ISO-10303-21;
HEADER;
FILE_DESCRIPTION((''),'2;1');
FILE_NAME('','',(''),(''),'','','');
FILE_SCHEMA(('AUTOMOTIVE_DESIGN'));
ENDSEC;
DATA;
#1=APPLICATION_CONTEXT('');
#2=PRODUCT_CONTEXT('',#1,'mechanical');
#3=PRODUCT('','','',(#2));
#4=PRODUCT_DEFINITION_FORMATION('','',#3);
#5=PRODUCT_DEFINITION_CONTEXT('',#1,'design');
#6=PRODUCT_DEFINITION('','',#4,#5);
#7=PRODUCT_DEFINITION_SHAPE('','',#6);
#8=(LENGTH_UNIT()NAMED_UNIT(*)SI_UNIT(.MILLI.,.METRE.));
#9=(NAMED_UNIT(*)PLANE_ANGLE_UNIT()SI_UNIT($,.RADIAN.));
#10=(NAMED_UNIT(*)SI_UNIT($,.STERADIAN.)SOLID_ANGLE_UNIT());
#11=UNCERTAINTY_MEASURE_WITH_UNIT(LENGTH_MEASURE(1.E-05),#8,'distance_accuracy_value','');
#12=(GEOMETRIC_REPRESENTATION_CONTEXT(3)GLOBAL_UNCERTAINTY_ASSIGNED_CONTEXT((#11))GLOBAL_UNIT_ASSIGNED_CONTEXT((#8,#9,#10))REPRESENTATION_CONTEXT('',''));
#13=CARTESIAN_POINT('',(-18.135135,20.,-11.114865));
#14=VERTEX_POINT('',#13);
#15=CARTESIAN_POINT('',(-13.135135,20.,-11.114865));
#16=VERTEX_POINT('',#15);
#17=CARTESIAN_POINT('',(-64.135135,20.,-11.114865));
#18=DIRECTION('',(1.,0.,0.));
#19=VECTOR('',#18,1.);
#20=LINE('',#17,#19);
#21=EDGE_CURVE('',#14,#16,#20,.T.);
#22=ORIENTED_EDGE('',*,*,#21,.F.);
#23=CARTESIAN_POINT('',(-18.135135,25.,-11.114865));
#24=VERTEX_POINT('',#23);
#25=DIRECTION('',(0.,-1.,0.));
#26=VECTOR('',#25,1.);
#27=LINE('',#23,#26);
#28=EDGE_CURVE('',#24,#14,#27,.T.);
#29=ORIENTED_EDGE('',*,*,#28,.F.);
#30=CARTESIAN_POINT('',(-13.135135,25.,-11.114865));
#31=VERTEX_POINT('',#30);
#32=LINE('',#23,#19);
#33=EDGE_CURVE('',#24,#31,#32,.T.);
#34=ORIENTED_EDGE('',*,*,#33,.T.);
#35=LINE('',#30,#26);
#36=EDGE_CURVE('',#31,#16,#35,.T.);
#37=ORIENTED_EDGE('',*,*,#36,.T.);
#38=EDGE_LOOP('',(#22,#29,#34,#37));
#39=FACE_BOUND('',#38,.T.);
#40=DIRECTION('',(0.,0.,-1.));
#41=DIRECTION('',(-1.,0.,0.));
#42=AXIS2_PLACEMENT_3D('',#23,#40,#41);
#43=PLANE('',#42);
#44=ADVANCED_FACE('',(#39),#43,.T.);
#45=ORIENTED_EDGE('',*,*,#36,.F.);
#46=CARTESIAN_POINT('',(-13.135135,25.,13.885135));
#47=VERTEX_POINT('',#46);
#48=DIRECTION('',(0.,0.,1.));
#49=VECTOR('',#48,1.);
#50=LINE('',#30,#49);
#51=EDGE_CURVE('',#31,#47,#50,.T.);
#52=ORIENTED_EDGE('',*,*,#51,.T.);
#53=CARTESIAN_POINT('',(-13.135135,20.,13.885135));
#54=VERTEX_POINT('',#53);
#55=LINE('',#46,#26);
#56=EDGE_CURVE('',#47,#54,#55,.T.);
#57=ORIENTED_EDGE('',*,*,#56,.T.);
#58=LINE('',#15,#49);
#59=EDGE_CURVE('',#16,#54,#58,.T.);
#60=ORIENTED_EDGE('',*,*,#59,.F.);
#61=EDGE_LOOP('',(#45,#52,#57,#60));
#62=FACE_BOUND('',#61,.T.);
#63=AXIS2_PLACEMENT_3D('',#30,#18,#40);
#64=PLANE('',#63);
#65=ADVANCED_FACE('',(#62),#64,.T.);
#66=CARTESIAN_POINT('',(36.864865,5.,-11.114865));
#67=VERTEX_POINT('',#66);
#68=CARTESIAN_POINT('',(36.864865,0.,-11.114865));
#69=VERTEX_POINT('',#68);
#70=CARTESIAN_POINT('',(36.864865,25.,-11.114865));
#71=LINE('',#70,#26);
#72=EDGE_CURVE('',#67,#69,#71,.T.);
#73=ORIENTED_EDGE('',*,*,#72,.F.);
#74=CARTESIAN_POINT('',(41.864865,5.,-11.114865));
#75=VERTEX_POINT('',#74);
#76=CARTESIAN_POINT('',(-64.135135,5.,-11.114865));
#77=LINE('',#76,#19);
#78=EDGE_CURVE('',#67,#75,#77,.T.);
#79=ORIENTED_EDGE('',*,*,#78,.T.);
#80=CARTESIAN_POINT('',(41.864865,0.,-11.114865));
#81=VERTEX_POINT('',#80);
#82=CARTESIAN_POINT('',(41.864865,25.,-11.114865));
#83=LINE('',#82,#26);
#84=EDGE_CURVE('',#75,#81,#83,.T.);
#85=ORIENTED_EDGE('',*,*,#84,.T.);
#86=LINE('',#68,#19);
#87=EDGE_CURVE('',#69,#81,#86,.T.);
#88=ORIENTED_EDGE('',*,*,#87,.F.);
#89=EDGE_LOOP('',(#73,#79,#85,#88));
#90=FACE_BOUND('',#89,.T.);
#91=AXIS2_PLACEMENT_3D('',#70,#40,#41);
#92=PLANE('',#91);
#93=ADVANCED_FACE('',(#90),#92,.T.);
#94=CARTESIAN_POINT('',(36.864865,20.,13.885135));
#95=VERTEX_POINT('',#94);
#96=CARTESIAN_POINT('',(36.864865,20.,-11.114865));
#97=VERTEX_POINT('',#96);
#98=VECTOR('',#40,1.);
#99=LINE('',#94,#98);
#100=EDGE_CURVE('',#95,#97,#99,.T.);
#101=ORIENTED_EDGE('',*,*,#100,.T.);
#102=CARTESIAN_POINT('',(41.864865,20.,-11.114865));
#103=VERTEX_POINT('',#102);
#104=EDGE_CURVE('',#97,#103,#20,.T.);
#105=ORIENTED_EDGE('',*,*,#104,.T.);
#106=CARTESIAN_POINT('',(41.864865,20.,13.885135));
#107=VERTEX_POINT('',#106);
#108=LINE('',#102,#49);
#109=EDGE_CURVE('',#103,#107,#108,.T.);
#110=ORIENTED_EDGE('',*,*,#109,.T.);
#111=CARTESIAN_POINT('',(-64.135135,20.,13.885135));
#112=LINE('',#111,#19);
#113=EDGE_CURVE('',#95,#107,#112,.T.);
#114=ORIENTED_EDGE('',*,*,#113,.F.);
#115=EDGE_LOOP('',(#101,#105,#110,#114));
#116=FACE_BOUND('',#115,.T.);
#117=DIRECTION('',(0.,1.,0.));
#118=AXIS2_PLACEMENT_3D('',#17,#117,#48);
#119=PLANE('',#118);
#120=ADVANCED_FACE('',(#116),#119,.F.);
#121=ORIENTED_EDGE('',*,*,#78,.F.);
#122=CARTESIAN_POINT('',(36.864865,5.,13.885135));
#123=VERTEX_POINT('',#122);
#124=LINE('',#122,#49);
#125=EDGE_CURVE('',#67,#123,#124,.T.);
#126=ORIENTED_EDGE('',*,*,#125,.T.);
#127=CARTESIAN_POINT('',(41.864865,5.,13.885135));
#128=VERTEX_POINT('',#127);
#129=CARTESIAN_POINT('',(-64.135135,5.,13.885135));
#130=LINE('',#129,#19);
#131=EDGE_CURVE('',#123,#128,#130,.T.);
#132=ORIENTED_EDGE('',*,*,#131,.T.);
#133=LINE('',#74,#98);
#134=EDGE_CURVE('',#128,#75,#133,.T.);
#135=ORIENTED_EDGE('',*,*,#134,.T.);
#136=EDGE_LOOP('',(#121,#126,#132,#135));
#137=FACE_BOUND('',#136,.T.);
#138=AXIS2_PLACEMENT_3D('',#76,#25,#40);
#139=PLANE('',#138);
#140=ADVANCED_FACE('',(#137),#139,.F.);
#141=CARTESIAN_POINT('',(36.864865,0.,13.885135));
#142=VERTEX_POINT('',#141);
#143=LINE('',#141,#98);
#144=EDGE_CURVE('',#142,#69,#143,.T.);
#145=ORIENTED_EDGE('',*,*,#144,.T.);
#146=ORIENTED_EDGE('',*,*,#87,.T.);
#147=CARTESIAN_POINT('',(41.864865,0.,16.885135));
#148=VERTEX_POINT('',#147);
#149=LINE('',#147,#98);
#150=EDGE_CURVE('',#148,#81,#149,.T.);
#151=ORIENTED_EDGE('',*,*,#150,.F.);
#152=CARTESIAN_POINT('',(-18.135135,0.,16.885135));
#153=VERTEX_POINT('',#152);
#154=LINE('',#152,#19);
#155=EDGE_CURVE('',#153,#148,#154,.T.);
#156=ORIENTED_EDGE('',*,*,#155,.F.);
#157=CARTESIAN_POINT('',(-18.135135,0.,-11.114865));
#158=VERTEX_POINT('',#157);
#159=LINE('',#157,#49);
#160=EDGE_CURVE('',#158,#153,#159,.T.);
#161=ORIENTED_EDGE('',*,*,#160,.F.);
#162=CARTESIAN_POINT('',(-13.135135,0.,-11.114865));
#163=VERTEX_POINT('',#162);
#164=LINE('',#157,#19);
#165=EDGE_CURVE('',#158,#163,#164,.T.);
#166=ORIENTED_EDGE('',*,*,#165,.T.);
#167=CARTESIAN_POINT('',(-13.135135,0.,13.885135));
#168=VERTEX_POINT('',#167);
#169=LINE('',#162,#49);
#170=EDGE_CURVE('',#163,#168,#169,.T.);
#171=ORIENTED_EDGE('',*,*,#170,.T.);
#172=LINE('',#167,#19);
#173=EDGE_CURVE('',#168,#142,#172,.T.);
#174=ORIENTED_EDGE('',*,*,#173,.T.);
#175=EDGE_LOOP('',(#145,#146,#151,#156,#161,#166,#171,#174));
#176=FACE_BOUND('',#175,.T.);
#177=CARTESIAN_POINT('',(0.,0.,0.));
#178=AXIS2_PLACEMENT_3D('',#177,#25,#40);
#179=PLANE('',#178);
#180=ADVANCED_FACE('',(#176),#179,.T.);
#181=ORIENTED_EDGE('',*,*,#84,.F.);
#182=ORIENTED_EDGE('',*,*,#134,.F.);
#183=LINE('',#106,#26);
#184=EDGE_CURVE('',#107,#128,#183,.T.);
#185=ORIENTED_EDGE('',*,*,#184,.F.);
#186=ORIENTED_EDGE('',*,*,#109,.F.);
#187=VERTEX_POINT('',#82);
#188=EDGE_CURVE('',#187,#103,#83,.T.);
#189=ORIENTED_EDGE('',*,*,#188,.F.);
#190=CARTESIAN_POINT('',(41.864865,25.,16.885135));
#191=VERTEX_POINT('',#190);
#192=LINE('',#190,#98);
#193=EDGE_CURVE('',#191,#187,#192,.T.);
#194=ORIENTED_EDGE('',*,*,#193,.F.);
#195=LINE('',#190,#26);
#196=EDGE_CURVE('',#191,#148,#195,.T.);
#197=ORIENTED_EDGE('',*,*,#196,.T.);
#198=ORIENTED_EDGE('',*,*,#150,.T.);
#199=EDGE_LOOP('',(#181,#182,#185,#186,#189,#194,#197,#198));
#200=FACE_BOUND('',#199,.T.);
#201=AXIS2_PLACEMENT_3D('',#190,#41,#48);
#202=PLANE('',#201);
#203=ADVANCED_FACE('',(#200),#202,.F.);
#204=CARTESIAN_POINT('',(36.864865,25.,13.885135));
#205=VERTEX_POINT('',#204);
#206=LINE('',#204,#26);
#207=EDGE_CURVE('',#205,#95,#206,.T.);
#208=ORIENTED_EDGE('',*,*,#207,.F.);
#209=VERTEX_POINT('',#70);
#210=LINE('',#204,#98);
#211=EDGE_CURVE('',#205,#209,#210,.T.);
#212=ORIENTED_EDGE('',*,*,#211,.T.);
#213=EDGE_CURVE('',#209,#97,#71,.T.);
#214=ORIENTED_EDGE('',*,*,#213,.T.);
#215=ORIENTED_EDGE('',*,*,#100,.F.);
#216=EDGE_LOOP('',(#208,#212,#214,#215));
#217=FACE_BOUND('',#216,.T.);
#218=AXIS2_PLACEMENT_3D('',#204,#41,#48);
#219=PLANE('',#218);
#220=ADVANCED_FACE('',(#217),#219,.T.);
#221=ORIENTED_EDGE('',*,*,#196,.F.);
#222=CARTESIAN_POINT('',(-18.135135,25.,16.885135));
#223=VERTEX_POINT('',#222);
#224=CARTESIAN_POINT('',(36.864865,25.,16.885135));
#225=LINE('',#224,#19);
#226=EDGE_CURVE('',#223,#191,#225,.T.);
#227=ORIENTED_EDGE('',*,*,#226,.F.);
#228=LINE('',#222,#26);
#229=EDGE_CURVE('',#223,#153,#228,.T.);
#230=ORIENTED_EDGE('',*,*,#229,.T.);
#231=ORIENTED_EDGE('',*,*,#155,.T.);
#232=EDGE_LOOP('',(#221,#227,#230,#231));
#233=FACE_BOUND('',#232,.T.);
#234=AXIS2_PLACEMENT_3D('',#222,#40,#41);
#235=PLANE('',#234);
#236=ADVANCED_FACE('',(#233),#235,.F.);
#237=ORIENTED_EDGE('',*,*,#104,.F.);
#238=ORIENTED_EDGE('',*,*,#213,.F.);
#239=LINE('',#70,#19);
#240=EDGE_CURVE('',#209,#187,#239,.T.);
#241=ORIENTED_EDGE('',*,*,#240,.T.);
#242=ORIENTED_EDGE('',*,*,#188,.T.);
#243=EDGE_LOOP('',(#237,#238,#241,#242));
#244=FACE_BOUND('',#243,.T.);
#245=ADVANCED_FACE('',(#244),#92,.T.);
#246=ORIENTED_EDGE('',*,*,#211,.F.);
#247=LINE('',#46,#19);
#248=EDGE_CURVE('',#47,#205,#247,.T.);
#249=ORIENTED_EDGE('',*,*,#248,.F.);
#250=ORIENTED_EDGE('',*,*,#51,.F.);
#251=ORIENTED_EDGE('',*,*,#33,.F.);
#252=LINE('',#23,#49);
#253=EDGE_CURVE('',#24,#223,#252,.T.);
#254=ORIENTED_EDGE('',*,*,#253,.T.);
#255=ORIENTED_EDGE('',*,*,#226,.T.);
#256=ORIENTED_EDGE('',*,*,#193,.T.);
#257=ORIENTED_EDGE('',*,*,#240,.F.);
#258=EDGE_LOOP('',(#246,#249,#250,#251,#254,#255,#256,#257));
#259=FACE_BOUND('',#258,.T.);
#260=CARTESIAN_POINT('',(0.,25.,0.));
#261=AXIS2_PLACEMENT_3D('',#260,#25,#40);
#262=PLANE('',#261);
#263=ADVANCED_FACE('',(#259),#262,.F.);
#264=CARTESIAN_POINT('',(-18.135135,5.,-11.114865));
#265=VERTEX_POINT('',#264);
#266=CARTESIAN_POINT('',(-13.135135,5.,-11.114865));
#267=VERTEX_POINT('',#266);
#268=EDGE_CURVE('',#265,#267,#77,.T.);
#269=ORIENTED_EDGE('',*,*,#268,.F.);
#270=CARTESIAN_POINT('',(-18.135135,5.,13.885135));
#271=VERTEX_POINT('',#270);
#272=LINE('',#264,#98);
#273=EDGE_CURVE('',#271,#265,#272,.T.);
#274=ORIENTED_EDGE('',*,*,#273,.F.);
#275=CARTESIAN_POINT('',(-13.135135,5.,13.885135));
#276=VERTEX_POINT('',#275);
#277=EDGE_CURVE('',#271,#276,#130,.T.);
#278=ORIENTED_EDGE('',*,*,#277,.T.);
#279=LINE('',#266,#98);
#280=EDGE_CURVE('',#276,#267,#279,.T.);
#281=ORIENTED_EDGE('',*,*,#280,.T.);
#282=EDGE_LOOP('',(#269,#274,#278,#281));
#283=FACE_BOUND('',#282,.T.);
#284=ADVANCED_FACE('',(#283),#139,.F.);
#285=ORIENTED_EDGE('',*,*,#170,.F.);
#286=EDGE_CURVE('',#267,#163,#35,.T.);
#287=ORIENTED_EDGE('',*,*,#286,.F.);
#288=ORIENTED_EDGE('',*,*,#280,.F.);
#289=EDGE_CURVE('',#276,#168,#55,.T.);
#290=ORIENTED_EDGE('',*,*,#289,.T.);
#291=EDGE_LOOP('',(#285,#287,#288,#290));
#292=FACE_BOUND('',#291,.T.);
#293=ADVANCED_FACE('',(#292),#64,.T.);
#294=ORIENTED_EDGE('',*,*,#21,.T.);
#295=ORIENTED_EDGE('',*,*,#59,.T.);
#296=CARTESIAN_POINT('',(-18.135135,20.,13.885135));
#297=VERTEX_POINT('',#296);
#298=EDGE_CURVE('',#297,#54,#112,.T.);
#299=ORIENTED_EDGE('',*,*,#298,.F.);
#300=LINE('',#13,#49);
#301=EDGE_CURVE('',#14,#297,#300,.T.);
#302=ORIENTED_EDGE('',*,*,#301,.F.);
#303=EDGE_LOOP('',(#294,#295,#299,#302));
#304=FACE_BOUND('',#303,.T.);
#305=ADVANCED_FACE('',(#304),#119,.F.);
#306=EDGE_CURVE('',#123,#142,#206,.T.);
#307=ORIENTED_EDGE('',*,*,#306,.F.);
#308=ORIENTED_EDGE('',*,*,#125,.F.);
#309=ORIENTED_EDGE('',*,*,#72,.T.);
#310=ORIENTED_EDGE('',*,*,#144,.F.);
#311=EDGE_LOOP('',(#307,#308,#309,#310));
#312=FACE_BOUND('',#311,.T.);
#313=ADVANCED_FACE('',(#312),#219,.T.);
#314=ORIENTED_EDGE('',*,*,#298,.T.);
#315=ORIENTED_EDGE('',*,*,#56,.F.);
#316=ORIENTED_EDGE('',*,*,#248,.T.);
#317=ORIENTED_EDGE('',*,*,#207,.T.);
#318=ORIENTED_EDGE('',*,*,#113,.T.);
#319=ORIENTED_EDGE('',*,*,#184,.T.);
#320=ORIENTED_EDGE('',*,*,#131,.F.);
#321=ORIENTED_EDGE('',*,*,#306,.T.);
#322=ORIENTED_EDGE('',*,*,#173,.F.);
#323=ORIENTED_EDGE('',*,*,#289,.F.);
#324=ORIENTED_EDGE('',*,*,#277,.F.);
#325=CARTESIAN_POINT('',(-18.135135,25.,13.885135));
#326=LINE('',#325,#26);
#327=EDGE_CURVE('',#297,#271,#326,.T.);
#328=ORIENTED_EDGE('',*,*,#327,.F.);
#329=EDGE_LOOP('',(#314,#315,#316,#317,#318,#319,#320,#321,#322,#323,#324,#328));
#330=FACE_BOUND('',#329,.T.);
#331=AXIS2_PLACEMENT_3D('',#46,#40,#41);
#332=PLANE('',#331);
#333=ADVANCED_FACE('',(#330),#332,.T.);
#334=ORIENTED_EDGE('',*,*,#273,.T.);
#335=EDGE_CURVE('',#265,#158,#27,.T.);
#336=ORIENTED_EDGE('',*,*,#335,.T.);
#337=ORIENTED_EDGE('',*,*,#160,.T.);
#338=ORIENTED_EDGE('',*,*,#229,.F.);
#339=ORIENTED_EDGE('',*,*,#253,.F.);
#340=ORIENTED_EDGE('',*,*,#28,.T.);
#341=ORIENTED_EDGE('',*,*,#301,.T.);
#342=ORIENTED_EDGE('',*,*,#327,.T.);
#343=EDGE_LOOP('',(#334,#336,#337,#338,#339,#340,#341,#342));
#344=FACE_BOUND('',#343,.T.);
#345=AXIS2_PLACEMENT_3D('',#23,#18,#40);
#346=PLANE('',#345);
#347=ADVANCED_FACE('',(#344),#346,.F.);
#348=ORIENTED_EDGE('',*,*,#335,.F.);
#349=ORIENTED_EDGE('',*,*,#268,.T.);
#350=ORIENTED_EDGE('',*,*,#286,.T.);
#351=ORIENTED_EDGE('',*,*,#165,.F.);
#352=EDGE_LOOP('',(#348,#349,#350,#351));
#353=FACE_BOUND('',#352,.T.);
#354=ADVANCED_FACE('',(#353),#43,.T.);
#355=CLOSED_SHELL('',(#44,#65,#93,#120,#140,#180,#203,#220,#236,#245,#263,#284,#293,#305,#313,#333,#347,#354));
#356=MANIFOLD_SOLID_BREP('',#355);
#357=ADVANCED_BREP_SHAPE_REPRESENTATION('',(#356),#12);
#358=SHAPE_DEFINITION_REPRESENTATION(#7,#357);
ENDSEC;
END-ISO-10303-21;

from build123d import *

# Parameters (mm, degrees)
BOSS_EXTRU_1_DEPTH      = 25
ESQUISSE2_W             = 25
ESQUISSE2_H             = 15
ENL_V_MAT_EXTRU_1_DEPTH = 106


with BuildPart() as part:
    # Esquisse1 → Boss.-Extru.1 (new body)
    with BuildSketch(Plane(origin=(0, 0, 0), x_dir=(1, 0, 0), z_dir=(0, 1, 0))):
        Polygon((36.864864865, -13.885135135), (36.864864865, 11.114864865), (41.864864865, 11.114864865), (41.864864865, -16.885135135), (36.864864865, -16.885135135), (-13.135135135, -16.885135135), (-18.135135135, -16.885135135), (-18.135135135, 11.114864865), (-13.135135135, 11.114864865), (-13.135135135, -13.885135135), align=None)
    extrude(amount=BOSS_EXTRU_1_DEPTH)

    # Esquisse2 → Enlèv. mat.-Extru.1 (cut)
    with BuildSketch(Plane(origin=(41.864864865, 0, 0), x_dir=(0, 0, -1), z_dir=(1, 0, 0))):
        with Locations((-1.385135135, 12.5)):
            Rectangle(ESQUISSE2_W, ESQUISSE2_H)
    extrude(amount=-ENL_V_MAT_EXTRU_1_DEPTH, mode=Mode.SUBTRACT)


solid = part.part
